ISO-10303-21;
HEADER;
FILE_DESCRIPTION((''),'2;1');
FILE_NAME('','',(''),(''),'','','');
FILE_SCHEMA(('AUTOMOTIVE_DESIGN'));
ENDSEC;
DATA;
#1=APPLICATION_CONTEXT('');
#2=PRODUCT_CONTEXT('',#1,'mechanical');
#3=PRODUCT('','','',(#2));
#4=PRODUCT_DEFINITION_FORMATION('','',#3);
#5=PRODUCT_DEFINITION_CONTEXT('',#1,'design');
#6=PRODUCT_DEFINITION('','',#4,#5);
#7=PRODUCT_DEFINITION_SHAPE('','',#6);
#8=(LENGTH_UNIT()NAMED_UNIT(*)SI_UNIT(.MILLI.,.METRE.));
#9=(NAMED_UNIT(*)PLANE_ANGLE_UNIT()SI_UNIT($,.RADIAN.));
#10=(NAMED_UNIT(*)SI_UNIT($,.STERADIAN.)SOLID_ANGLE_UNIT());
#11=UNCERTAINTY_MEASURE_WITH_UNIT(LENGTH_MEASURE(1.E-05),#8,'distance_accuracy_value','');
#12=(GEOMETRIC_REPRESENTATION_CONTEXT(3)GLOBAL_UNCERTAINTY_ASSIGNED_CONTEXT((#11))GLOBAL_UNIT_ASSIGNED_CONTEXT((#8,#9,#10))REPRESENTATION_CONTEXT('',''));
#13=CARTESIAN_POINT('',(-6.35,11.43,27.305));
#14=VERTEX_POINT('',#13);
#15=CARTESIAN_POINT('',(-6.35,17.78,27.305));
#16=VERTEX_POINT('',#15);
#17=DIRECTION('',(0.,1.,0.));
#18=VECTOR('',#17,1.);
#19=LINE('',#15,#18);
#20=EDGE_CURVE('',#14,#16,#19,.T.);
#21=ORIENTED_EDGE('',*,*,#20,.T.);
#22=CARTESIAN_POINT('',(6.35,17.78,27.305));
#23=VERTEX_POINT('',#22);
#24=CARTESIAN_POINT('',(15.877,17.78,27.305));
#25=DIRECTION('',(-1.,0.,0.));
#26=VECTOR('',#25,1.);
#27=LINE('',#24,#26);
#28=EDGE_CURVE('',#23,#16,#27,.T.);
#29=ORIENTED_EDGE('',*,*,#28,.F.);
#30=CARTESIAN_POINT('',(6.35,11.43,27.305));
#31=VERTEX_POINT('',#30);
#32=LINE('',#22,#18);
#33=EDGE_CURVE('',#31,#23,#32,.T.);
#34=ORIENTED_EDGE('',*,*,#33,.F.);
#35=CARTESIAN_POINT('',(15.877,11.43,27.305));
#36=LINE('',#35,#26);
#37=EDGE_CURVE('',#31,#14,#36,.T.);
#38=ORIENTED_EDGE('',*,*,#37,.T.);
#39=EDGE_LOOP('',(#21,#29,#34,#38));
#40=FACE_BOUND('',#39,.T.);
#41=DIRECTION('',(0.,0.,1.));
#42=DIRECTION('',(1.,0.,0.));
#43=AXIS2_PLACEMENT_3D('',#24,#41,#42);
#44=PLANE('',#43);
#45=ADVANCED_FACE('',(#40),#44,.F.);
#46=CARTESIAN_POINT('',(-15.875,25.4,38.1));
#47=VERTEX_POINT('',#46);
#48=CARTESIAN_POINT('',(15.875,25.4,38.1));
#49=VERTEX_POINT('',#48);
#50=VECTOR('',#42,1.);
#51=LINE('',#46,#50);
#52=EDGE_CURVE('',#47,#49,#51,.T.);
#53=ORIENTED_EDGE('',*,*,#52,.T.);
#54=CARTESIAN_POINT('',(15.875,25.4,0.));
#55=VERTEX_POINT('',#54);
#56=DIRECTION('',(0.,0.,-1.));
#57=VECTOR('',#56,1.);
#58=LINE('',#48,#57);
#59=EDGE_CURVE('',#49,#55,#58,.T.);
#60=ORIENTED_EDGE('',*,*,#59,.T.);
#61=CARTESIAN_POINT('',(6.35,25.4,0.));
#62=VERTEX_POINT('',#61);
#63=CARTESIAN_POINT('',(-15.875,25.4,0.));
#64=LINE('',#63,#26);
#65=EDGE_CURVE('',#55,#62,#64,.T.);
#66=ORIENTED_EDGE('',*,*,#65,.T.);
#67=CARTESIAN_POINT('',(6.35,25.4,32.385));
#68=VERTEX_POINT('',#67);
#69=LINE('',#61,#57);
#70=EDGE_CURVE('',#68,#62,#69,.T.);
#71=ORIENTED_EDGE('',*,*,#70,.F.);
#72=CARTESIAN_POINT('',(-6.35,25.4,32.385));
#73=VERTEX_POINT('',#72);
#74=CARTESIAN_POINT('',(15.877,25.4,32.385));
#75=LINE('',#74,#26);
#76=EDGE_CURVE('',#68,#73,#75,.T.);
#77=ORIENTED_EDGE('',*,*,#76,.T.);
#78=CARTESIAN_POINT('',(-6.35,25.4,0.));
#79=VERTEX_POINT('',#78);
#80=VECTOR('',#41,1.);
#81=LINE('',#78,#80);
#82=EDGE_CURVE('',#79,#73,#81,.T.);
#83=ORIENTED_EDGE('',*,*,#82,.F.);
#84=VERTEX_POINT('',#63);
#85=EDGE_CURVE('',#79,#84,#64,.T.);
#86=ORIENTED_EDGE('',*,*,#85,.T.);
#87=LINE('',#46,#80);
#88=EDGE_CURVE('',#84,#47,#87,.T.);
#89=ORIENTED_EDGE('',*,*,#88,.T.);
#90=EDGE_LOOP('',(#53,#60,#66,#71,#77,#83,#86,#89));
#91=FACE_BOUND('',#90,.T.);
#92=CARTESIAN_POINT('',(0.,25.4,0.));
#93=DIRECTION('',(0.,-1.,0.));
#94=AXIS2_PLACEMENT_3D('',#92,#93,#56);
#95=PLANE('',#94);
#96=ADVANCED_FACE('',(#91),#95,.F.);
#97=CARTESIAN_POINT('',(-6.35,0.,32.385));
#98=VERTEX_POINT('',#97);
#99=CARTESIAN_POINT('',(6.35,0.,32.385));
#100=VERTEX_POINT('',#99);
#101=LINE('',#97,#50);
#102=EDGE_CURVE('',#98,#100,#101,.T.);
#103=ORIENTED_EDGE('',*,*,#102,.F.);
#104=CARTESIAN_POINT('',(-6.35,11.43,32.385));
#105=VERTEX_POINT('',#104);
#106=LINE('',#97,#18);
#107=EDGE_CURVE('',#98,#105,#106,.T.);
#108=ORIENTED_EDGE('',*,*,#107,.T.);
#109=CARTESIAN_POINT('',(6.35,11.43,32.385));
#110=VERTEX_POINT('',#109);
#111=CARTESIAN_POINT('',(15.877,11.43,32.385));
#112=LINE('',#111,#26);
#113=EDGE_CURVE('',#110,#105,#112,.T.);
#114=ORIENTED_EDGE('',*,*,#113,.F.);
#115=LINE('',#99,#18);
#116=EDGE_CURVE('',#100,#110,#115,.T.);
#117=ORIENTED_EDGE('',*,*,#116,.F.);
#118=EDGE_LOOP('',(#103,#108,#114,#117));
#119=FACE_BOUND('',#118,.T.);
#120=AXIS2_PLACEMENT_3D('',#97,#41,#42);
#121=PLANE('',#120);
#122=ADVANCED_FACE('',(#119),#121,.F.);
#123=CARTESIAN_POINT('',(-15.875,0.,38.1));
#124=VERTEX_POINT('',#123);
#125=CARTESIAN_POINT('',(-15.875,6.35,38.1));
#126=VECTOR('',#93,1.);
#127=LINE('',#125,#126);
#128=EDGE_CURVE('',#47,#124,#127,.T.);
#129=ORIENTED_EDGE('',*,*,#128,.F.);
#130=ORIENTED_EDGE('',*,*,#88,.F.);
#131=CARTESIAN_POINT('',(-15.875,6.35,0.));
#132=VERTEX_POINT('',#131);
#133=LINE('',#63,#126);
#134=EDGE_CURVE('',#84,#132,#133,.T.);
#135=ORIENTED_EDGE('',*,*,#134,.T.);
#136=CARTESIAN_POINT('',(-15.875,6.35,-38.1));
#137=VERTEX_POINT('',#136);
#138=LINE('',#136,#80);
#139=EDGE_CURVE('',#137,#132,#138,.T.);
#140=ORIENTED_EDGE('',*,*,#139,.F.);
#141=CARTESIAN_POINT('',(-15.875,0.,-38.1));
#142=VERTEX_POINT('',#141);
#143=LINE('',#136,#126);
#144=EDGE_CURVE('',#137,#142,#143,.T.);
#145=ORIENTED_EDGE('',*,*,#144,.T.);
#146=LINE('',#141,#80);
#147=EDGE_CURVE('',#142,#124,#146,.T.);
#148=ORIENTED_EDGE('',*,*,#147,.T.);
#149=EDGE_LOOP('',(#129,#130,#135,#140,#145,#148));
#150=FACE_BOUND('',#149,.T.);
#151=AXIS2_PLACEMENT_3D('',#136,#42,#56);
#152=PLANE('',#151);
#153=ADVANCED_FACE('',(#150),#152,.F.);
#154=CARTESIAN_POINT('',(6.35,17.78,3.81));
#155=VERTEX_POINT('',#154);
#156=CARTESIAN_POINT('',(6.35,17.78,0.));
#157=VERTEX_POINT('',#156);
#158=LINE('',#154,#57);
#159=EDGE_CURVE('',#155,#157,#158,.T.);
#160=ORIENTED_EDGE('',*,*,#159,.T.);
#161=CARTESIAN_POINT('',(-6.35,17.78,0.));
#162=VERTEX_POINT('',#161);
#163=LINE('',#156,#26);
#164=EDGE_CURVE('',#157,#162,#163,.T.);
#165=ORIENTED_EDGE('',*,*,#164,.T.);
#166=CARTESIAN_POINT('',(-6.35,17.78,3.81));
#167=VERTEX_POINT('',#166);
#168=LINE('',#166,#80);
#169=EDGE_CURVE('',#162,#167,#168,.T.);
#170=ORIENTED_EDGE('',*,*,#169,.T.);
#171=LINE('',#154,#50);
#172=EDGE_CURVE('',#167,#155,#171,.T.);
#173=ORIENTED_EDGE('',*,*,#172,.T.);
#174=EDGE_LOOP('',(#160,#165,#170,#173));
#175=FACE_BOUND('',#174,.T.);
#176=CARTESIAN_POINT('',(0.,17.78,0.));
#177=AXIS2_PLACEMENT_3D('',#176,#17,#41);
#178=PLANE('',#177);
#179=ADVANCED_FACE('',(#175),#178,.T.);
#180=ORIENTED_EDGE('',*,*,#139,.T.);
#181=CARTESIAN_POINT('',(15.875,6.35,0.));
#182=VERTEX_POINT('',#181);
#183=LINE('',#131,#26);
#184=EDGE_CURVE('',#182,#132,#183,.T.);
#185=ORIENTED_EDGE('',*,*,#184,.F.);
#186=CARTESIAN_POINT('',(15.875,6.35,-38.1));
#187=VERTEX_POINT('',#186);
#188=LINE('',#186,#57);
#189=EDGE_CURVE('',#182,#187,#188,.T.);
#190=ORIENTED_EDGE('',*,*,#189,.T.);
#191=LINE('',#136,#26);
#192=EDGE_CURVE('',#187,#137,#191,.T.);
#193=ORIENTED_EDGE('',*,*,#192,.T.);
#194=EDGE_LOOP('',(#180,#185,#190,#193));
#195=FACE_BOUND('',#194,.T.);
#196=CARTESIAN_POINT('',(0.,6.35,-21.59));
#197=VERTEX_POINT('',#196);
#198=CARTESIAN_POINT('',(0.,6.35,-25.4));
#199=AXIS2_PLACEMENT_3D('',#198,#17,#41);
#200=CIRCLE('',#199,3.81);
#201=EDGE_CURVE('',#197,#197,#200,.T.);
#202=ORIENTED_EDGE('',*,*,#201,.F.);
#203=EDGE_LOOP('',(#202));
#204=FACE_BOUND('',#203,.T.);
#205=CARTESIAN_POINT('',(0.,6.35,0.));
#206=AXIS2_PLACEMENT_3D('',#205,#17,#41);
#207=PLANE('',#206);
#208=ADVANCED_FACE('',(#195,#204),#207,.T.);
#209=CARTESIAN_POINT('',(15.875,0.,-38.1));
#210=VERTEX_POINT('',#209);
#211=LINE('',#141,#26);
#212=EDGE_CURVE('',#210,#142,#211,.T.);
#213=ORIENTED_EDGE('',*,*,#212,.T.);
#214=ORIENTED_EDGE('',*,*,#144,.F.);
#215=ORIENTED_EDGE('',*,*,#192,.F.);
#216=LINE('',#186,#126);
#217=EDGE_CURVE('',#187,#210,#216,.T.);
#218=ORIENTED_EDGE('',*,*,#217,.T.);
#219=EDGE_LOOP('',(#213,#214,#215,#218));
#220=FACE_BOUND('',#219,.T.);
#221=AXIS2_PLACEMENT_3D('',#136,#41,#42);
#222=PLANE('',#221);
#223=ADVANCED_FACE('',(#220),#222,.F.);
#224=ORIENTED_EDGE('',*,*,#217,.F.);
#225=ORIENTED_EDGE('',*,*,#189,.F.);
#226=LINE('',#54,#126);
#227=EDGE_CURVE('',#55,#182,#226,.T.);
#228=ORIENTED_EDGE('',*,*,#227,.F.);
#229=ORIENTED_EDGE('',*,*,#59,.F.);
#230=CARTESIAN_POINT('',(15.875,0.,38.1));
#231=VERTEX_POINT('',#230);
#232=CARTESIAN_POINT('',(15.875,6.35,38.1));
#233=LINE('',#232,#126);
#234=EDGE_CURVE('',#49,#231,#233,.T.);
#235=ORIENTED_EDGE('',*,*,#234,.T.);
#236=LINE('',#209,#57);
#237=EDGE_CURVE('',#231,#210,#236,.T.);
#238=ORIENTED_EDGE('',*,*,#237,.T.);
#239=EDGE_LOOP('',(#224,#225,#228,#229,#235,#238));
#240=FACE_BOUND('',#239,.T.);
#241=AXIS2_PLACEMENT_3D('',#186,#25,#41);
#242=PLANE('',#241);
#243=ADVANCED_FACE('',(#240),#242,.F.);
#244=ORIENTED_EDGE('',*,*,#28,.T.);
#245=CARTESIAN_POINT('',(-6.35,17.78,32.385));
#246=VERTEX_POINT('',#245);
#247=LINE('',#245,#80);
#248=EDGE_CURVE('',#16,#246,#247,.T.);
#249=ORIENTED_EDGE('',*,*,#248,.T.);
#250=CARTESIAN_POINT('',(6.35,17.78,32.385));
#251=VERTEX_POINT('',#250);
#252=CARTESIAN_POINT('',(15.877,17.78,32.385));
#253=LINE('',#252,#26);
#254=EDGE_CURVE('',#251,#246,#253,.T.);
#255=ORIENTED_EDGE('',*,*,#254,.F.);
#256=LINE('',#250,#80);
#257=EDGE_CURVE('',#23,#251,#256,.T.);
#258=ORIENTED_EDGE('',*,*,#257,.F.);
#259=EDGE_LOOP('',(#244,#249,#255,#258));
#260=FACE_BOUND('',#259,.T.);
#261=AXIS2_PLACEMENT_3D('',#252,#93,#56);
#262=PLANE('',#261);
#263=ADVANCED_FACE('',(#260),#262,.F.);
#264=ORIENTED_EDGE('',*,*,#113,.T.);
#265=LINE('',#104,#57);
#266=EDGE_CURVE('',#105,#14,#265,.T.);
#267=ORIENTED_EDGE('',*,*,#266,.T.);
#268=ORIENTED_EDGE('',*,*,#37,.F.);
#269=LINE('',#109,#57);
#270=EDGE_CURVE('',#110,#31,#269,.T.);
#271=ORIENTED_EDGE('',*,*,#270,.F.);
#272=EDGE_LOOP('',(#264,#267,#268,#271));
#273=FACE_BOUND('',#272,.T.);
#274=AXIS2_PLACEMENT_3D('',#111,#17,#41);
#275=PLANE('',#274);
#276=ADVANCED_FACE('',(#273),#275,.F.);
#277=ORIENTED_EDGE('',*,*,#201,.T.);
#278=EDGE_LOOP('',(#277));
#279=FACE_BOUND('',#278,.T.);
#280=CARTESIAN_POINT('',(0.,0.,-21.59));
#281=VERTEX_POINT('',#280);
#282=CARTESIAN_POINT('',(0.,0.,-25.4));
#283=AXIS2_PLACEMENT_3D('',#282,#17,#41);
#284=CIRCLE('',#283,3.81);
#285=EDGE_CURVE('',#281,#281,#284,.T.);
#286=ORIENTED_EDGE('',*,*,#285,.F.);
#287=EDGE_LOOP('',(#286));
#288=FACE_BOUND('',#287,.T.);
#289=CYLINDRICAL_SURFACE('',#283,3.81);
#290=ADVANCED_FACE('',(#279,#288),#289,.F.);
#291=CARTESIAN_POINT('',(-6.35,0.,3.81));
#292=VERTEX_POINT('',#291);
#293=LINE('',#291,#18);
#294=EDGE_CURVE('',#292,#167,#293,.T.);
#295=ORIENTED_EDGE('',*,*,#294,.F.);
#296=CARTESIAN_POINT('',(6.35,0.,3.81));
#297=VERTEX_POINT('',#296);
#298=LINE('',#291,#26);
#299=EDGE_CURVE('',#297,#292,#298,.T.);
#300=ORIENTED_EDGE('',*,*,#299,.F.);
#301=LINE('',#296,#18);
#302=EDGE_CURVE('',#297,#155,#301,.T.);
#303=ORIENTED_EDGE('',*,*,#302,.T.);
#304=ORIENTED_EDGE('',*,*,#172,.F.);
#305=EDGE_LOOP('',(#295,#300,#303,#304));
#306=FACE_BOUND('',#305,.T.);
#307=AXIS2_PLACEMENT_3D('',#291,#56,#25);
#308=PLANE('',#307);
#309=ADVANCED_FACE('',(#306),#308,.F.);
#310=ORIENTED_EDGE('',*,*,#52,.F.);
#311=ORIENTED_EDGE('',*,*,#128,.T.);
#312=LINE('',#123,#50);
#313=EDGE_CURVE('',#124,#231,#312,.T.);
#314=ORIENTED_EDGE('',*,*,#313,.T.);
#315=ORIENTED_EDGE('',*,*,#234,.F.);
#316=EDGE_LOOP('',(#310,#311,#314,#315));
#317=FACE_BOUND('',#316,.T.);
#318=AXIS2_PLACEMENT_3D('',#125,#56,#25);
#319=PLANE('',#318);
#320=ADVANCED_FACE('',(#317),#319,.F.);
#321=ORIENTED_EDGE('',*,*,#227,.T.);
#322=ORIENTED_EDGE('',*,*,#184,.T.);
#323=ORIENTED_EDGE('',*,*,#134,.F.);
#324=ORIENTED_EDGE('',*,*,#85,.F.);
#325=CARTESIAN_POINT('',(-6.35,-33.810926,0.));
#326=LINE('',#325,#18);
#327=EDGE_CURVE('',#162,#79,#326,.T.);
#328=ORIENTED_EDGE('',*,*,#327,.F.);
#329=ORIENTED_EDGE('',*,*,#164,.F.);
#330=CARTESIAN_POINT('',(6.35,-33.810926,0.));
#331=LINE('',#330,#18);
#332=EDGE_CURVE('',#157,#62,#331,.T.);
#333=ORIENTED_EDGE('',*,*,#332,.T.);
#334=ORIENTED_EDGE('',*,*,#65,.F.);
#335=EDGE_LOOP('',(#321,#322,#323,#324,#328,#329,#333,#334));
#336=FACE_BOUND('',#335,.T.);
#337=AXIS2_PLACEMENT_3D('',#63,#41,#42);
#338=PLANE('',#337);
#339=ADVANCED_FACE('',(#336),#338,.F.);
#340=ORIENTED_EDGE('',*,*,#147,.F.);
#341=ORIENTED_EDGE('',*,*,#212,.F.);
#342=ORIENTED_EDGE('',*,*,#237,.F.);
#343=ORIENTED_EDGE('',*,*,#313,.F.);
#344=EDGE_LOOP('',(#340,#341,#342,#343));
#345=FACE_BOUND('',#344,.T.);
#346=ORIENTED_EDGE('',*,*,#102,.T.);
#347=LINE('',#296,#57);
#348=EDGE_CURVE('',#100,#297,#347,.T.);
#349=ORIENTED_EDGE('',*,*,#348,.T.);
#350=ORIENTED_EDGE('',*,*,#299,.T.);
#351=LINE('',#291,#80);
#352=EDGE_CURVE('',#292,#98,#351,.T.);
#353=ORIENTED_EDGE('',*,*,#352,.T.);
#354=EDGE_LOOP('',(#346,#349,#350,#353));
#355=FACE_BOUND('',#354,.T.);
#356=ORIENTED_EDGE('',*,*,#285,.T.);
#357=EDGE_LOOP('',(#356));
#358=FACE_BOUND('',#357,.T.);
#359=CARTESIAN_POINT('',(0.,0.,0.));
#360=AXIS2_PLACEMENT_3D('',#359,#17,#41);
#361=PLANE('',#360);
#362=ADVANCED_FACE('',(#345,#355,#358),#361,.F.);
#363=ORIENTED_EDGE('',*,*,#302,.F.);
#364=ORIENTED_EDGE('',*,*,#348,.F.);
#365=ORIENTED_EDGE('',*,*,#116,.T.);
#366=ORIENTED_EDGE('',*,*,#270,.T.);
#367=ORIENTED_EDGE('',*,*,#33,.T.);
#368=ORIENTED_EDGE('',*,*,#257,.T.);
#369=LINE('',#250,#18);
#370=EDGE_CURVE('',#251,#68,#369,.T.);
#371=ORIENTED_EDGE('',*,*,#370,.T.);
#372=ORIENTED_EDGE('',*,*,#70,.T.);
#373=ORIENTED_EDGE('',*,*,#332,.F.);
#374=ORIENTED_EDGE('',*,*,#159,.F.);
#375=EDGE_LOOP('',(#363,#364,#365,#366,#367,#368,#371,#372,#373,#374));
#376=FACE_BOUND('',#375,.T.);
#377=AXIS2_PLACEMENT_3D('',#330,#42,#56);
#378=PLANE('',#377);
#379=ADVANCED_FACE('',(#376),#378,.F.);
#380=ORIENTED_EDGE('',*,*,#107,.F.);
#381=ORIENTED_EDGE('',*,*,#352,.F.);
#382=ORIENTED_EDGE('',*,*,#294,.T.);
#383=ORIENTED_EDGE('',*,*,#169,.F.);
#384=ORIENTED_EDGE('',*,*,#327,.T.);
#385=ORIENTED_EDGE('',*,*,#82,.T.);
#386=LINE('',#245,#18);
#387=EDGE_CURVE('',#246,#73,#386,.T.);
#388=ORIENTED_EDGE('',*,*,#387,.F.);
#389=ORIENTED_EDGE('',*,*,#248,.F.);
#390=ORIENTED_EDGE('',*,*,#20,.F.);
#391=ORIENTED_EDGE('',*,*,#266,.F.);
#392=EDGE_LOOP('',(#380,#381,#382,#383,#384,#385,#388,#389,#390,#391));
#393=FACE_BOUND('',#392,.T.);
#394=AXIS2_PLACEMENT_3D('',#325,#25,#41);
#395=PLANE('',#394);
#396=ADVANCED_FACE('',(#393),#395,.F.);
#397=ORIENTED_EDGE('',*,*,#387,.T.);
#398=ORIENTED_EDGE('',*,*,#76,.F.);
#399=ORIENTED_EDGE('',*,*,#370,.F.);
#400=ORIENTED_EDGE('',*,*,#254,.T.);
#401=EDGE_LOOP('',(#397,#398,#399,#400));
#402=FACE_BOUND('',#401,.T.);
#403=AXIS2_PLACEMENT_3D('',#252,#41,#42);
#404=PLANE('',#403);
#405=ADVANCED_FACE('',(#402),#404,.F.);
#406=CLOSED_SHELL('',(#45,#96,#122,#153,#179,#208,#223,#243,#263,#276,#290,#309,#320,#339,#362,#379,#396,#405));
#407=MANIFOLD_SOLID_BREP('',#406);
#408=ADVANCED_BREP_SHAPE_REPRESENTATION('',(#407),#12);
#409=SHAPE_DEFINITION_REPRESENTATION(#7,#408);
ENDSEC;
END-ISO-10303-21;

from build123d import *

# Parameters (mm, degrees)
SKETCH1_W           = 31.75
SKETCH1_H           = 76.2
BOSS_EXTRUDE1_DEPTH = 6.35
SKETCH2_R           = 3.81
CUT_EXTRUDE1_DEPTH  = 7.35
SKETCH3_W           = 31.75
SKETCH3_H           = 38.1
BOSS_EXTRUDE2_DEPTH = 19.05
SKETCH4_W           = 12.7
SKETCH4_H           = 38.1
CUT_EXTRUDE2_DEPTH  = 19.05
SKETCH5_W           = 12.7
SKETCH5_H           = 28.575
CUT_EXTRUDE3_DEPTH  = 7.35
SKETCH6_W           = 12.7
SKETCH6_H           = 3.81
BOSS_EXTRUDE3_DEPTH = 11.43
BOSS_EXTRUDE4_REACH = 24.225


with BuildPart() as part:
    # Sketch1 → Boss-Extrude1 (new body)
    with BuildSketch(Plane(origin=(0, 0, 0), x_dir=(1, 0, 0), z_dir=(0, 1, 0))):
        Rectangle(SKETCH1_W, SKETCH1_H)
    extrude(amount=BOSS_EXTRUDE1_DEPTH)

    # Sketch2 → Cut-Extrude1 (cut, through all)
    with BuildSketch(Plane(origin=(0, 6.35, 0), x_dir=(1, 0, 0), z_dir=(0, 1, 0))):
        with Locations((0, 25.4)):
            Circle(SKETCH2_R)
    extrude(amount=-CUT_EXTRUDE1_DEPTH, mode=Mode.SUBTRACT)

    # Sketch3 → Boss-Extrude2 (add)
    with BuildSketch(Plane(origin=(0, 6.35, 0), x_dir=(1, 0, 0), z_dir=(0, 1, 0))):
        with Locations((0, -19.05)):
            Rectangle(SKETCH3_W, SKETCH3_H)
    extrude(amount=BOSS_EXTRUDE2_DEPTH)

    # Sketch4 → Cut-Extrude2 (cut)
    with BuildSketch(Plane(origin=(0, 25.4, 0), x_dir=(1, 0, 0), z_dir=(0, 1, 0))):
        with Locations((0, -19.05)):
            Rectangle(SKETCH4_W, SKETCH4_H)
    extrude(amount=-CUT_EXTRUDE2_DEPTH, mode=Mode.SUBTRACT)

    # Sketch5 → Cut-Extrude3 (cut, through all)
    with BuildSketch(Plane(origin=(0, 6.35, 0), x_dir=(1, 0, 0), z_dir=(0, 1, 0))):
        with Locations((0, -18.0975)):
            Rectangle(SKETCH5_W, SKETCH5_H)
    extrude(amount=-CUT_EXTRUDE3_DEPTH, mode=Mode.SUBTRACT)

    # Sketch6 → Boss-Extrude3 (add)
    with BuildSketch(Plane(origin=(0, 6.35, 0), x_dir=(1, 0, 0), z_dir=(0, 1, 0))):
        with Locations((0, -1.905)):
            Rectangle(SKETCH6_W, SKETCH6_H)
    extrude(amount=BOSS_EXTRUDE3_DEPTH)

    # Sketch7 → Boss-Extrude4 (add, up to next)
    with BuildSketch(Plane(origin=(-6.35, 0, 0), x_dir=(0, 0, -1), z_dir=(1, 0, 0)), mode=Mode.PRIVATE) as boss_extrude4_sk1:
        Polygon((-32.385, 17.78), (-27.305, 17.78), (-27.305, 11.43), (-32.385, 11.43), (-32.385, 6.35), (-38.1, 6.35), (-38.1, 25.4), (-32.385, 25.4), align=None)
    boss_extrude4_tool1 = extrude(boss_extrude4_sk1.sketch, amount=BOSS_EXTRUDE4_REACH, mode=Mode.PRIVATE) - part.part
    add(boss_extrude4_tool1.solids().sort_by_distance((-6.35, 15.584714, 34.008786))[0])


solid = part.part
